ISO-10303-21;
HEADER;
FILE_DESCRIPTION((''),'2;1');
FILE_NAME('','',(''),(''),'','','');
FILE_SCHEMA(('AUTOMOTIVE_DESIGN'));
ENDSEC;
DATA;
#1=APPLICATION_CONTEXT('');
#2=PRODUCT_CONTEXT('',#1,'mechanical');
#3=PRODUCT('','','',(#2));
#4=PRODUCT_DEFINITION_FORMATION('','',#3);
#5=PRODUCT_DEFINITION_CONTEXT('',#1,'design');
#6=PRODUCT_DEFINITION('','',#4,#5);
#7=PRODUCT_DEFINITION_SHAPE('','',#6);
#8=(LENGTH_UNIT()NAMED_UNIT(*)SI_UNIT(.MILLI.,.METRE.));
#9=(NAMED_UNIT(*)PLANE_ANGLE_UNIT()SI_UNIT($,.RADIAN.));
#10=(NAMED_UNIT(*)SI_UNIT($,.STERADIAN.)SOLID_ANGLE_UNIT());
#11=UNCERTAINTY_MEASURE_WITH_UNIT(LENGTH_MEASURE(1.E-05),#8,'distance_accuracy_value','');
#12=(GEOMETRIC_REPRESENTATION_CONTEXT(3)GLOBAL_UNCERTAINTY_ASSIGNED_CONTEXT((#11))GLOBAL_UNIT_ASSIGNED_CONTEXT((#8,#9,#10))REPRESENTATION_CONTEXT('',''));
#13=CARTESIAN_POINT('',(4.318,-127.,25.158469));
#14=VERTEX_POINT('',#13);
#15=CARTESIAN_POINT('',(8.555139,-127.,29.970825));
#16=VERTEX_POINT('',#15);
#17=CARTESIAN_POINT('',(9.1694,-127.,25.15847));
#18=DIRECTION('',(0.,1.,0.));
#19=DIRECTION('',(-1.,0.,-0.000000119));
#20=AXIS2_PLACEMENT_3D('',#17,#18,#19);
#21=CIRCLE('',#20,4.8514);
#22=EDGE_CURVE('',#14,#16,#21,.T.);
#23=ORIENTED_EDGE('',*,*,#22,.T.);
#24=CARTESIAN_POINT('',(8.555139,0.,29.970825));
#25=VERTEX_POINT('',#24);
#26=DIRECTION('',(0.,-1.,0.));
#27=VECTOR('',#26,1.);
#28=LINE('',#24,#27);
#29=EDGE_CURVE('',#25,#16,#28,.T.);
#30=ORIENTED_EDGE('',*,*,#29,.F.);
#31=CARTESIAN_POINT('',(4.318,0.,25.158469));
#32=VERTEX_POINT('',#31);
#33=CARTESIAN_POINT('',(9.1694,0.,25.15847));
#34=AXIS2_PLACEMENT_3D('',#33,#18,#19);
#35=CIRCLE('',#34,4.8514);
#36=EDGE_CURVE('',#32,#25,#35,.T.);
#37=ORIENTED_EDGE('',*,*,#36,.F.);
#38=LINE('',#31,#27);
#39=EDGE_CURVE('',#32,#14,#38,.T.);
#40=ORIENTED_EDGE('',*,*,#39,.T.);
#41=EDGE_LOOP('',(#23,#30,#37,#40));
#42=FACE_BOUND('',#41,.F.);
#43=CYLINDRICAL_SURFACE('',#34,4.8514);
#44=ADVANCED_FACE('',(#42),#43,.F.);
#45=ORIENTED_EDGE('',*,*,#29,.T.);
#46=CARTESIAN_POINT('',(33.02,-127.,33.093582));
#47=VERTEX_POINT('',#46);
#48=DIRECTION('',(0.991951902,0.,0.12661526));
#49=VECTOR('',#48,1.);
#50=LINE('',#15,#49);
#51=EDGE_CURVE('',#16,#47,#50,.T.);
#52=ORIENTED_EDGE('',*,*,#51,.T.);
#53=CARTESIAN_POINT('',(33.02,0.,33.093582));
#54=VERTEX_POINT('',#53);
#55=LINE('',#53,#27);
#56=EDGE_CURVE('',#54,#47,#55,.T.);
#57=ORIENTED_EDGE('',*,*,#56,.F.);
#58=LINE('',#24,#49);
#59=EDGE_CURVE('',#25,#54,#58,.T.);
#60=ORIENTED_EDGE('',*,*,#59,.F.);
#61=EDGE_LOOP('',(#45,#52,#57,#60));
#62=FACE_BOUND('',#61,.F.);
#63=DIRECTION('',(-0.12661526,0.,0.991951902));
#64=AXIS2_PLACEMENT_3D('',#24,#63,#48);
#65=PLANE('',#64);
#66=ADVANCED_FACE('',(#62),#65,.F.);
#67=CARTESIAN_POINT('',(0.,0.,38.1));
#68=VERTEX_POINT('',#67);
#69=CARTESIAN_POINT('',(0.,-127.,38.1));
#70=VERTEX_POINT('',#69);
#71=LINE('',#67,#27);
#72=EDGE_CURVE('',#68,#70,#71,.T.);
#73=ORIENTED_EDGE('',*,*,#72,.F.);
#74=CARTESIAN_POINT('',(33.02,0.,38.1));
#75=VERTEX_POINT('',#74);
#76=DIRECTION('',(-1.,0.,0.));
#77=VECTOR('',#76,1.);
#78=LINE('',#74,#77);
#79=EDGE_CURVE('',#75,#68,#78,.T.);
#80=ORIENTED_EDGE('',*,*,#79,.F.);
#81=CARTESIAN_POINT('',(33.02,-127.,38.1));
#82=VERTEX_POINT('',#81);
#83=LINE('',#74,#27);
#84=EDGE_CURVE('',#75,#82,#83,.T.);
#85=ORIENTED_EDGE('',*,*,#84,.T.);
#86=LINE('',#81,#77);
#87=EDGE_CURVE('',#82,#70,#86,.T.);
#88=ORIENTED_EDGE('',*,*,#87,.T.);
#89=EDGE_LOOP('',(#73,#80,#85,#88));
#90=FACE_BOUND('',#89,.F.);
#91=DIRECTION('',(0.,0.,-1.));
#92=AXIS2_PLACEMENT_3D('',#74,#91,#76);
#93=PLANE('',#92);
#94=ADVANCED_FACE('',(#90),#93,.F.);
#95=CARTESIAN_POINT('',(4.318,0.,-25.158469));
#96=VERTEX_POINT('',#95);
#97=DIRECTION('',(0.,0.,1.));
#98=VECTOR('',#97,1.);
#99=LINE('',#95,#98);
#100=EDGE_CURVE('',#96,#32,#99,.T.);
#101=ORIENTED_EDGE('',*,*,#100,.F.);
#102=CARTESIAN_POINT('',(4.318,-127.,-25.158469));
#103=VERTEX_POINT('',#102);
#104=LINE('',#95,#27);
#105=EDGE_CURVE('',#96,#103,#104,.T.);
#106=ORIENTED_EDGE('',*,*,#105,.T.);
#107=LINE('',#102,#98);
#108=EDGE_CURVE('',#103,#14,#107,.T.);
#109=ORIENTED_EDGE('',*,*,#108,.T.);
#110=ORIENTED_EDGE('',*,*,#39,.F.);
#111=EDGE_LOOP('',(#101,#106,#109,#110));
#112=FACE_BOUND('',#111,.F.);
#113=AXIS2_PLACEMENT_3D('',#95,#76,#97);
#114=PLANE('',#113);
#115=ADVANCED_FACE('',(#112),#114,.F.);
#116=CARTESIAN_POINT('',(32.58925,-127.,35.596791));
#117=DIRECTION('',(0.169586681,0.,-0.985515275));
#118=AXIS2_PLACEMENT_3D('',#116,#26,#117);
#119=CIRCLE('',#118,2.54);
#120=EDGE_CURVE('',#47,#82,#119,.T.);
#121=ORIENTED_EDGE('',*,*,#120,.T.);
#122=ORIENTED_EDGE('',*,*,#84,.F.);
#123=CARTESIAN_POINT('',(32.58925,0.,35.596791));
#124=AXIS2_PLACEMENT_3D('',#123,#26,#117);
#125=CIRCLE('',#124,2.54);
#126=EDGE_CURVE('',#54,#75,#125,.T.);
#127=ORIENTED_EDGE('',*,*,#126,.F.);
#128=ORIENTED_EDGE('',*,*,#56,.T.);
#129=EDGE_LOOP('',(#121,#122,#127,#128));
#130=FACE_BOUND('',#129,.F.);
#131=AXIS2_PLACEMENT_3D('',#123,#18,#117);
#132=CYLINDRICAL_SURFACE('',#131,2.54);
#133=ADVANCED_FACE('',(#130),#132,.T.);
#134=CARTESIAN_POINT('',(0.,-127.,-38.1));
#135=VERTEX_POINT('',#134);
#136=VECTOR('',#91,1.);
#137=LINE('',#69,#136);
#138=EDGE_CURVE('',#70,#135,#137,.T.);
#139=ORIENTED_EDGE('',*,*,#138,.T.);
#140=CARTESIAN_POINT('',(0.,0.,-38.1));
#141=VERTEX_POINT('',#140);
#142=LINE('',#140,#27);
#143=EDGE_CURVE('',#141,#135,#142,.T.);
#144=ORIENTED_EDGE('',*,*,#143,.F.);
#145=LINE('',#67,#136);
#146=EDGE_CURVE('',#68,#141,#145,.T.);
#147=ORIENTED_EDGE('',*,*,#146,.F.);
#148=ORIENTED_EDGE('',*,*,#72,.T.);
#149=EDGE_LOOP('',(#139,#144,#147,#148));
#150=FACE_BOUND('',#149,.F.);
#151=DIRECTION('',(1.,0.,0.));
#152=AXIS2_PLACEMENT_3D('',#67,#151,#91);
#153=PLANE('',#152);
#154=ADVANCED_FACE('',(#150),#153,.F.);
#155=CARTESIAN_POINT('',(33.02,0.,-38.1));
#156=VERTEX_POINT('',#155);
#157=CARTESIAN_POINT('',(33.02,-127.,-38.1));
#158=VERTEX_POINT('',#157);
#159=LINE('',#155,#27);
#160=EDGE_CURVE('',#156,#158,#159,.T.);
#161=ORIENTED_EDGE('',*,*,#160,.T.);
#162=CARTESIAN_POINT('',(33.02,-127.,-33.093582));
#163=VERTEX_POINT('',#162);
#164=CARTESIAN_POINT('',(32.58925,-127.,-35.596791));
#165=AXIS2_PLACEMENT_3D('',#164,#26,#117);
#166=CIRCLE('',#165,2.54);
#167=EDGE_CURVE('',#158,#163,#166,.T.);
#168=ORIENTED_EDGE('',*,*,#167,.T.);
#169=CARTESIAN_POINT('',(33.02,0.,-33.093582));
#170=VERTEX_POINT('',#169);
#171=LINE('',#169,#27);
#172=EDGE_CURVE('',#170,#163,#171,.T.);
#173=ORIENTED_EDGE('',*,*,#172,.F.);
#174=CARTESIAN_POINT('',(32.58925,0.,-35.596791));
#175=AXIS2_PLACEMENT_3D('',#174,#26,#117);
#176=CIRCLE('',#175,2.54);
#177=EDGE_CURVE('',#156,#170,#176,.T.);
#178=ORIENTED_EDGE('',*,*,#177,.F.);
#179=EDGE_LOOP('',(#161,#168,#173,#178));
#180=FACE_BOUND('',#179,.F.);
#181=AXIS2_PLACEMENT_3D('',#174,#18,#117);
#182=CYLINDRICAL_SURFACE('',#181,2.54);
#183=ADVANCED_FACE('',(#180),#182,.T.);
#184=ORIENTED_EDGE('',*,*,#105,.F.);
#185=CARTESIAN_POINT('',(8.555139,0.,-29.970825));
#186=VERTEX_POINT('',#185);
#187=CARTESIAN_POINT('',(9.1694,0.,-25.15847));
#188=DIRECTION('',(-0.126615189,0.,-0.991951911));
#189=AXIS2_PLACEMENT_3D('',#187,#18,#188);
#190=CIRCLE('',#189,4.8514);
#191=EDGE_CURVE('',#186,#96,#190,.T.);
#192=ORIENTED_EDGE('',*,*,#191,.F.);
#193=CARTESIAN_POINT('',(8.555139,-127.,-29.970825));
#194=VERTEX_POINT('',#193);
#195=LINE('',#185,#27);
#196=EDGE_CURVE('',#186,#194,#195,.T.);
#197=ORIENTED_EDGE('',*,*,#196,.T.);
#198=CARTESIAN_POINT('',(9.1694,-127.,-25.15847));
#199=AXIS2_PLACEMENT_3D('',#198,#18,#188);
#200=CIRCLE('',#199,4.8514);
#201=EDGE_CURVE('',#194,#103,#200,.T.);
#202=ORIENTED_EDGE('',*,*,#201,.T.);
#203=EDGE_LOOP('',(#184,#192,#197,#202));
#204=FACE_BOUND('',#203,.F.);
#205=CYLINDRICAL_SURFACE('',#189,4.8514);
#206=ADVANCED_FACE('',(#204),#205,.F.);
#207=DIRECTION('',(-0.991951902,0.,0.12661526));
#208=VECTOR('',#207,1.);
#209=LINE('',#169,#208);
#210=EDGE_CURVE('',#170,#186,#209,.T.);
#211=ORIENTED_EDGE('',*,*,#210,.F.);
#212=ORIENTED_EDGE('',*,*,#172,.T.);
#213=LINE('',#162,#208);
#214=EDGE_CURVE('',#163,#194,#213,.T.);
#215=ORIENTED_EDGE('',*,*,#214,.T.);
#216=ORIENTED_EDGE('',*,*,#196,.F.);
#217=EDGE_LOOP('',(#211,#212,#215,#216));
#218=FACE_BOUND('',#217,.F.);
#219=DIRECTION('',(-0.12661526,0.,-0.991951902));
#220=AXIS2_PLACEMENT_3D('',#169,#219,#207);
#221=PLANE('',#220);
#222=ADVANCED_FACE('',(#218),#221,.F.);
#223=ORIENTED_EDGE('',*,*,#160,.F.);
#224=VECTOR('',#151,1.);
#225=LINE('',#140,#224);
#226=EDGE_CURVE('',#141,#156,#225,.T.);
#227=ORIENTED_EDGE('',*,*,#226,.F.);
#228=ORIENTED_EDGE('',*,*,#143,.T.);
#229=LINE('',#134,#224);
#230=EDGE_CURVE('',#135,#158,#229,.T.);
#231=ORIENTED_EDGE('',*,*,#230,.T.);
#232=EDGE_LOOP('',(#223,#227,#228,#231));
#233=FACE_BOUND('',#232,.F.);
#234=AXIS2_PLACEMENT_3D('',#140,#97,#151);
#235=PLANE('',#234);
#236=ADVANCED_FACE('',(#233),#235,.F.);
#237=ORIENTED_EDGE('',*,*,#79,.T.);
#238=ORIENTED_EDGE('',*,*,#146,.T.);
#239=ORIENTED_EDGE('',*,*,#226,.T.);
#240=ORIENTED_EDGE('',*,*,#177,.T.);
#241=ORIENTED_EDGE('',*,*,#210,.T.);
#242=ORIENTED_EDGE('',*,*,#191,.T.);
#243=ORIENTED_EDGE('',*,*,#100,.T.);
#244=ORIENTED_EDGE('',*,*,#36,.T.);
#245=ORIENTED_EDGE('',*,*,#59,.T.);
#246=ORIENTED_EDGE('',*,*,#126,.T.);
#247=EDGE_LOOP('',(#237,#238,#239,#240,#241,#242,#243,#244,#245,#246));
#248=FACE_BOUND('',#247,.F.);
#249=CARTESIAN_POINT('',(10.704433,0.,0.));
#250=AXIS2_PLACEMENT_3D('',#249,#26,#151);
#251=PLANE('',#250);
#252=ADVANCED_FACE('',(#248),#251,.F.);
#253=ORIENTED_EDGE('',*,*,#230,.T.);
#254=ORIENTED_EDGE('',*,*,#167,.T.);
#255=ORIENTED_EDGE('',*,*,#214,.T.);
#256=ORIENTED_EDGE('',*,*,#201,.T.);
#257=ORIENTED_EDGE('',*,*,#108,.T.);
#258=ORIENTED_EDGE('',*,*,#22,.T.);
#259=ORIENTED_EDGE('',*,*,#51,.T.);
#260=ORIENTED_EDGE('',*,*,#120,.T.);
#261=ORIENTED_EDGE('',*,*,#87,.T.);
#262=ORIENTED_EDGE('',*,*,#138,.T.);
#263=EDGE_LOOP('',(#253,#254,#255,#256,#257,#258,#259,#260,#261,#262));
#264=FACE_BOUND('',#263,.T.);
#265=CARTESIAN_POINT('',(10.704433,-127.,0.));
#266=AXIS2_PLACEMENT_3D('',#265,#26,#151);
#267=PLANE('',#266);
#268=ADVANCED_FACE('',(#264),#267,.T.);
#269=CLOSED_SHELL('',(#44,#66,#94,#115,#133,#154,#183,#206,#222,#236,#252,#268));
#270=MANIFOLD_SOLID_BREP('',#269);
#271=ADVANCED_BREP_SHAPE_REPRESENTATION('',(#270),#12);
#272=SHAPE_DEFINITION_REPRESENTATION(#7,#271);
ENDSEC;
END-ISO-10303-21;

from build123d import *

# Parameters (mm, degrees)
F1_DEPTH = 127


with BuildPart() as f1:
    # F0 (on Front) → F1 (new body)
    with BuildSketch(Plane.XZ):
        with BuildLine():
            Line((0, 38.1), (0, -38.1))
            Line((0, -38.1), (33.02, -38.1))
            ThreePointArc((33.02, -38.1), (35.12925, -35.596791), (33.02, -33.093582))
            Line((33.02, -33.093582), (8.555139, -29.970825))
            ThreePointArc((8.555139, -29.970825), (5.528239, -28.364406), (4.318, -25.158469))
            Line((4.318, -25.158469), (4.318, 0))
            Line((4.318, 0), (4.318, 25.158469))
            ThreePointArc((4.318, 25.158469), (5.528239, 28.364406), (8.555139, 29.970825))
            Line((8.555139, 29.970825), (33.02, 33.093582))
            ThreePointArc((33.02, 33.093582), (35.12925, 35.596791), (33.02, 38.1))
            Line((33.02, 38.1), (0, 38.1))
        make_face()
    extrude(amount=F1_DEPTH)


solid = f1.part
